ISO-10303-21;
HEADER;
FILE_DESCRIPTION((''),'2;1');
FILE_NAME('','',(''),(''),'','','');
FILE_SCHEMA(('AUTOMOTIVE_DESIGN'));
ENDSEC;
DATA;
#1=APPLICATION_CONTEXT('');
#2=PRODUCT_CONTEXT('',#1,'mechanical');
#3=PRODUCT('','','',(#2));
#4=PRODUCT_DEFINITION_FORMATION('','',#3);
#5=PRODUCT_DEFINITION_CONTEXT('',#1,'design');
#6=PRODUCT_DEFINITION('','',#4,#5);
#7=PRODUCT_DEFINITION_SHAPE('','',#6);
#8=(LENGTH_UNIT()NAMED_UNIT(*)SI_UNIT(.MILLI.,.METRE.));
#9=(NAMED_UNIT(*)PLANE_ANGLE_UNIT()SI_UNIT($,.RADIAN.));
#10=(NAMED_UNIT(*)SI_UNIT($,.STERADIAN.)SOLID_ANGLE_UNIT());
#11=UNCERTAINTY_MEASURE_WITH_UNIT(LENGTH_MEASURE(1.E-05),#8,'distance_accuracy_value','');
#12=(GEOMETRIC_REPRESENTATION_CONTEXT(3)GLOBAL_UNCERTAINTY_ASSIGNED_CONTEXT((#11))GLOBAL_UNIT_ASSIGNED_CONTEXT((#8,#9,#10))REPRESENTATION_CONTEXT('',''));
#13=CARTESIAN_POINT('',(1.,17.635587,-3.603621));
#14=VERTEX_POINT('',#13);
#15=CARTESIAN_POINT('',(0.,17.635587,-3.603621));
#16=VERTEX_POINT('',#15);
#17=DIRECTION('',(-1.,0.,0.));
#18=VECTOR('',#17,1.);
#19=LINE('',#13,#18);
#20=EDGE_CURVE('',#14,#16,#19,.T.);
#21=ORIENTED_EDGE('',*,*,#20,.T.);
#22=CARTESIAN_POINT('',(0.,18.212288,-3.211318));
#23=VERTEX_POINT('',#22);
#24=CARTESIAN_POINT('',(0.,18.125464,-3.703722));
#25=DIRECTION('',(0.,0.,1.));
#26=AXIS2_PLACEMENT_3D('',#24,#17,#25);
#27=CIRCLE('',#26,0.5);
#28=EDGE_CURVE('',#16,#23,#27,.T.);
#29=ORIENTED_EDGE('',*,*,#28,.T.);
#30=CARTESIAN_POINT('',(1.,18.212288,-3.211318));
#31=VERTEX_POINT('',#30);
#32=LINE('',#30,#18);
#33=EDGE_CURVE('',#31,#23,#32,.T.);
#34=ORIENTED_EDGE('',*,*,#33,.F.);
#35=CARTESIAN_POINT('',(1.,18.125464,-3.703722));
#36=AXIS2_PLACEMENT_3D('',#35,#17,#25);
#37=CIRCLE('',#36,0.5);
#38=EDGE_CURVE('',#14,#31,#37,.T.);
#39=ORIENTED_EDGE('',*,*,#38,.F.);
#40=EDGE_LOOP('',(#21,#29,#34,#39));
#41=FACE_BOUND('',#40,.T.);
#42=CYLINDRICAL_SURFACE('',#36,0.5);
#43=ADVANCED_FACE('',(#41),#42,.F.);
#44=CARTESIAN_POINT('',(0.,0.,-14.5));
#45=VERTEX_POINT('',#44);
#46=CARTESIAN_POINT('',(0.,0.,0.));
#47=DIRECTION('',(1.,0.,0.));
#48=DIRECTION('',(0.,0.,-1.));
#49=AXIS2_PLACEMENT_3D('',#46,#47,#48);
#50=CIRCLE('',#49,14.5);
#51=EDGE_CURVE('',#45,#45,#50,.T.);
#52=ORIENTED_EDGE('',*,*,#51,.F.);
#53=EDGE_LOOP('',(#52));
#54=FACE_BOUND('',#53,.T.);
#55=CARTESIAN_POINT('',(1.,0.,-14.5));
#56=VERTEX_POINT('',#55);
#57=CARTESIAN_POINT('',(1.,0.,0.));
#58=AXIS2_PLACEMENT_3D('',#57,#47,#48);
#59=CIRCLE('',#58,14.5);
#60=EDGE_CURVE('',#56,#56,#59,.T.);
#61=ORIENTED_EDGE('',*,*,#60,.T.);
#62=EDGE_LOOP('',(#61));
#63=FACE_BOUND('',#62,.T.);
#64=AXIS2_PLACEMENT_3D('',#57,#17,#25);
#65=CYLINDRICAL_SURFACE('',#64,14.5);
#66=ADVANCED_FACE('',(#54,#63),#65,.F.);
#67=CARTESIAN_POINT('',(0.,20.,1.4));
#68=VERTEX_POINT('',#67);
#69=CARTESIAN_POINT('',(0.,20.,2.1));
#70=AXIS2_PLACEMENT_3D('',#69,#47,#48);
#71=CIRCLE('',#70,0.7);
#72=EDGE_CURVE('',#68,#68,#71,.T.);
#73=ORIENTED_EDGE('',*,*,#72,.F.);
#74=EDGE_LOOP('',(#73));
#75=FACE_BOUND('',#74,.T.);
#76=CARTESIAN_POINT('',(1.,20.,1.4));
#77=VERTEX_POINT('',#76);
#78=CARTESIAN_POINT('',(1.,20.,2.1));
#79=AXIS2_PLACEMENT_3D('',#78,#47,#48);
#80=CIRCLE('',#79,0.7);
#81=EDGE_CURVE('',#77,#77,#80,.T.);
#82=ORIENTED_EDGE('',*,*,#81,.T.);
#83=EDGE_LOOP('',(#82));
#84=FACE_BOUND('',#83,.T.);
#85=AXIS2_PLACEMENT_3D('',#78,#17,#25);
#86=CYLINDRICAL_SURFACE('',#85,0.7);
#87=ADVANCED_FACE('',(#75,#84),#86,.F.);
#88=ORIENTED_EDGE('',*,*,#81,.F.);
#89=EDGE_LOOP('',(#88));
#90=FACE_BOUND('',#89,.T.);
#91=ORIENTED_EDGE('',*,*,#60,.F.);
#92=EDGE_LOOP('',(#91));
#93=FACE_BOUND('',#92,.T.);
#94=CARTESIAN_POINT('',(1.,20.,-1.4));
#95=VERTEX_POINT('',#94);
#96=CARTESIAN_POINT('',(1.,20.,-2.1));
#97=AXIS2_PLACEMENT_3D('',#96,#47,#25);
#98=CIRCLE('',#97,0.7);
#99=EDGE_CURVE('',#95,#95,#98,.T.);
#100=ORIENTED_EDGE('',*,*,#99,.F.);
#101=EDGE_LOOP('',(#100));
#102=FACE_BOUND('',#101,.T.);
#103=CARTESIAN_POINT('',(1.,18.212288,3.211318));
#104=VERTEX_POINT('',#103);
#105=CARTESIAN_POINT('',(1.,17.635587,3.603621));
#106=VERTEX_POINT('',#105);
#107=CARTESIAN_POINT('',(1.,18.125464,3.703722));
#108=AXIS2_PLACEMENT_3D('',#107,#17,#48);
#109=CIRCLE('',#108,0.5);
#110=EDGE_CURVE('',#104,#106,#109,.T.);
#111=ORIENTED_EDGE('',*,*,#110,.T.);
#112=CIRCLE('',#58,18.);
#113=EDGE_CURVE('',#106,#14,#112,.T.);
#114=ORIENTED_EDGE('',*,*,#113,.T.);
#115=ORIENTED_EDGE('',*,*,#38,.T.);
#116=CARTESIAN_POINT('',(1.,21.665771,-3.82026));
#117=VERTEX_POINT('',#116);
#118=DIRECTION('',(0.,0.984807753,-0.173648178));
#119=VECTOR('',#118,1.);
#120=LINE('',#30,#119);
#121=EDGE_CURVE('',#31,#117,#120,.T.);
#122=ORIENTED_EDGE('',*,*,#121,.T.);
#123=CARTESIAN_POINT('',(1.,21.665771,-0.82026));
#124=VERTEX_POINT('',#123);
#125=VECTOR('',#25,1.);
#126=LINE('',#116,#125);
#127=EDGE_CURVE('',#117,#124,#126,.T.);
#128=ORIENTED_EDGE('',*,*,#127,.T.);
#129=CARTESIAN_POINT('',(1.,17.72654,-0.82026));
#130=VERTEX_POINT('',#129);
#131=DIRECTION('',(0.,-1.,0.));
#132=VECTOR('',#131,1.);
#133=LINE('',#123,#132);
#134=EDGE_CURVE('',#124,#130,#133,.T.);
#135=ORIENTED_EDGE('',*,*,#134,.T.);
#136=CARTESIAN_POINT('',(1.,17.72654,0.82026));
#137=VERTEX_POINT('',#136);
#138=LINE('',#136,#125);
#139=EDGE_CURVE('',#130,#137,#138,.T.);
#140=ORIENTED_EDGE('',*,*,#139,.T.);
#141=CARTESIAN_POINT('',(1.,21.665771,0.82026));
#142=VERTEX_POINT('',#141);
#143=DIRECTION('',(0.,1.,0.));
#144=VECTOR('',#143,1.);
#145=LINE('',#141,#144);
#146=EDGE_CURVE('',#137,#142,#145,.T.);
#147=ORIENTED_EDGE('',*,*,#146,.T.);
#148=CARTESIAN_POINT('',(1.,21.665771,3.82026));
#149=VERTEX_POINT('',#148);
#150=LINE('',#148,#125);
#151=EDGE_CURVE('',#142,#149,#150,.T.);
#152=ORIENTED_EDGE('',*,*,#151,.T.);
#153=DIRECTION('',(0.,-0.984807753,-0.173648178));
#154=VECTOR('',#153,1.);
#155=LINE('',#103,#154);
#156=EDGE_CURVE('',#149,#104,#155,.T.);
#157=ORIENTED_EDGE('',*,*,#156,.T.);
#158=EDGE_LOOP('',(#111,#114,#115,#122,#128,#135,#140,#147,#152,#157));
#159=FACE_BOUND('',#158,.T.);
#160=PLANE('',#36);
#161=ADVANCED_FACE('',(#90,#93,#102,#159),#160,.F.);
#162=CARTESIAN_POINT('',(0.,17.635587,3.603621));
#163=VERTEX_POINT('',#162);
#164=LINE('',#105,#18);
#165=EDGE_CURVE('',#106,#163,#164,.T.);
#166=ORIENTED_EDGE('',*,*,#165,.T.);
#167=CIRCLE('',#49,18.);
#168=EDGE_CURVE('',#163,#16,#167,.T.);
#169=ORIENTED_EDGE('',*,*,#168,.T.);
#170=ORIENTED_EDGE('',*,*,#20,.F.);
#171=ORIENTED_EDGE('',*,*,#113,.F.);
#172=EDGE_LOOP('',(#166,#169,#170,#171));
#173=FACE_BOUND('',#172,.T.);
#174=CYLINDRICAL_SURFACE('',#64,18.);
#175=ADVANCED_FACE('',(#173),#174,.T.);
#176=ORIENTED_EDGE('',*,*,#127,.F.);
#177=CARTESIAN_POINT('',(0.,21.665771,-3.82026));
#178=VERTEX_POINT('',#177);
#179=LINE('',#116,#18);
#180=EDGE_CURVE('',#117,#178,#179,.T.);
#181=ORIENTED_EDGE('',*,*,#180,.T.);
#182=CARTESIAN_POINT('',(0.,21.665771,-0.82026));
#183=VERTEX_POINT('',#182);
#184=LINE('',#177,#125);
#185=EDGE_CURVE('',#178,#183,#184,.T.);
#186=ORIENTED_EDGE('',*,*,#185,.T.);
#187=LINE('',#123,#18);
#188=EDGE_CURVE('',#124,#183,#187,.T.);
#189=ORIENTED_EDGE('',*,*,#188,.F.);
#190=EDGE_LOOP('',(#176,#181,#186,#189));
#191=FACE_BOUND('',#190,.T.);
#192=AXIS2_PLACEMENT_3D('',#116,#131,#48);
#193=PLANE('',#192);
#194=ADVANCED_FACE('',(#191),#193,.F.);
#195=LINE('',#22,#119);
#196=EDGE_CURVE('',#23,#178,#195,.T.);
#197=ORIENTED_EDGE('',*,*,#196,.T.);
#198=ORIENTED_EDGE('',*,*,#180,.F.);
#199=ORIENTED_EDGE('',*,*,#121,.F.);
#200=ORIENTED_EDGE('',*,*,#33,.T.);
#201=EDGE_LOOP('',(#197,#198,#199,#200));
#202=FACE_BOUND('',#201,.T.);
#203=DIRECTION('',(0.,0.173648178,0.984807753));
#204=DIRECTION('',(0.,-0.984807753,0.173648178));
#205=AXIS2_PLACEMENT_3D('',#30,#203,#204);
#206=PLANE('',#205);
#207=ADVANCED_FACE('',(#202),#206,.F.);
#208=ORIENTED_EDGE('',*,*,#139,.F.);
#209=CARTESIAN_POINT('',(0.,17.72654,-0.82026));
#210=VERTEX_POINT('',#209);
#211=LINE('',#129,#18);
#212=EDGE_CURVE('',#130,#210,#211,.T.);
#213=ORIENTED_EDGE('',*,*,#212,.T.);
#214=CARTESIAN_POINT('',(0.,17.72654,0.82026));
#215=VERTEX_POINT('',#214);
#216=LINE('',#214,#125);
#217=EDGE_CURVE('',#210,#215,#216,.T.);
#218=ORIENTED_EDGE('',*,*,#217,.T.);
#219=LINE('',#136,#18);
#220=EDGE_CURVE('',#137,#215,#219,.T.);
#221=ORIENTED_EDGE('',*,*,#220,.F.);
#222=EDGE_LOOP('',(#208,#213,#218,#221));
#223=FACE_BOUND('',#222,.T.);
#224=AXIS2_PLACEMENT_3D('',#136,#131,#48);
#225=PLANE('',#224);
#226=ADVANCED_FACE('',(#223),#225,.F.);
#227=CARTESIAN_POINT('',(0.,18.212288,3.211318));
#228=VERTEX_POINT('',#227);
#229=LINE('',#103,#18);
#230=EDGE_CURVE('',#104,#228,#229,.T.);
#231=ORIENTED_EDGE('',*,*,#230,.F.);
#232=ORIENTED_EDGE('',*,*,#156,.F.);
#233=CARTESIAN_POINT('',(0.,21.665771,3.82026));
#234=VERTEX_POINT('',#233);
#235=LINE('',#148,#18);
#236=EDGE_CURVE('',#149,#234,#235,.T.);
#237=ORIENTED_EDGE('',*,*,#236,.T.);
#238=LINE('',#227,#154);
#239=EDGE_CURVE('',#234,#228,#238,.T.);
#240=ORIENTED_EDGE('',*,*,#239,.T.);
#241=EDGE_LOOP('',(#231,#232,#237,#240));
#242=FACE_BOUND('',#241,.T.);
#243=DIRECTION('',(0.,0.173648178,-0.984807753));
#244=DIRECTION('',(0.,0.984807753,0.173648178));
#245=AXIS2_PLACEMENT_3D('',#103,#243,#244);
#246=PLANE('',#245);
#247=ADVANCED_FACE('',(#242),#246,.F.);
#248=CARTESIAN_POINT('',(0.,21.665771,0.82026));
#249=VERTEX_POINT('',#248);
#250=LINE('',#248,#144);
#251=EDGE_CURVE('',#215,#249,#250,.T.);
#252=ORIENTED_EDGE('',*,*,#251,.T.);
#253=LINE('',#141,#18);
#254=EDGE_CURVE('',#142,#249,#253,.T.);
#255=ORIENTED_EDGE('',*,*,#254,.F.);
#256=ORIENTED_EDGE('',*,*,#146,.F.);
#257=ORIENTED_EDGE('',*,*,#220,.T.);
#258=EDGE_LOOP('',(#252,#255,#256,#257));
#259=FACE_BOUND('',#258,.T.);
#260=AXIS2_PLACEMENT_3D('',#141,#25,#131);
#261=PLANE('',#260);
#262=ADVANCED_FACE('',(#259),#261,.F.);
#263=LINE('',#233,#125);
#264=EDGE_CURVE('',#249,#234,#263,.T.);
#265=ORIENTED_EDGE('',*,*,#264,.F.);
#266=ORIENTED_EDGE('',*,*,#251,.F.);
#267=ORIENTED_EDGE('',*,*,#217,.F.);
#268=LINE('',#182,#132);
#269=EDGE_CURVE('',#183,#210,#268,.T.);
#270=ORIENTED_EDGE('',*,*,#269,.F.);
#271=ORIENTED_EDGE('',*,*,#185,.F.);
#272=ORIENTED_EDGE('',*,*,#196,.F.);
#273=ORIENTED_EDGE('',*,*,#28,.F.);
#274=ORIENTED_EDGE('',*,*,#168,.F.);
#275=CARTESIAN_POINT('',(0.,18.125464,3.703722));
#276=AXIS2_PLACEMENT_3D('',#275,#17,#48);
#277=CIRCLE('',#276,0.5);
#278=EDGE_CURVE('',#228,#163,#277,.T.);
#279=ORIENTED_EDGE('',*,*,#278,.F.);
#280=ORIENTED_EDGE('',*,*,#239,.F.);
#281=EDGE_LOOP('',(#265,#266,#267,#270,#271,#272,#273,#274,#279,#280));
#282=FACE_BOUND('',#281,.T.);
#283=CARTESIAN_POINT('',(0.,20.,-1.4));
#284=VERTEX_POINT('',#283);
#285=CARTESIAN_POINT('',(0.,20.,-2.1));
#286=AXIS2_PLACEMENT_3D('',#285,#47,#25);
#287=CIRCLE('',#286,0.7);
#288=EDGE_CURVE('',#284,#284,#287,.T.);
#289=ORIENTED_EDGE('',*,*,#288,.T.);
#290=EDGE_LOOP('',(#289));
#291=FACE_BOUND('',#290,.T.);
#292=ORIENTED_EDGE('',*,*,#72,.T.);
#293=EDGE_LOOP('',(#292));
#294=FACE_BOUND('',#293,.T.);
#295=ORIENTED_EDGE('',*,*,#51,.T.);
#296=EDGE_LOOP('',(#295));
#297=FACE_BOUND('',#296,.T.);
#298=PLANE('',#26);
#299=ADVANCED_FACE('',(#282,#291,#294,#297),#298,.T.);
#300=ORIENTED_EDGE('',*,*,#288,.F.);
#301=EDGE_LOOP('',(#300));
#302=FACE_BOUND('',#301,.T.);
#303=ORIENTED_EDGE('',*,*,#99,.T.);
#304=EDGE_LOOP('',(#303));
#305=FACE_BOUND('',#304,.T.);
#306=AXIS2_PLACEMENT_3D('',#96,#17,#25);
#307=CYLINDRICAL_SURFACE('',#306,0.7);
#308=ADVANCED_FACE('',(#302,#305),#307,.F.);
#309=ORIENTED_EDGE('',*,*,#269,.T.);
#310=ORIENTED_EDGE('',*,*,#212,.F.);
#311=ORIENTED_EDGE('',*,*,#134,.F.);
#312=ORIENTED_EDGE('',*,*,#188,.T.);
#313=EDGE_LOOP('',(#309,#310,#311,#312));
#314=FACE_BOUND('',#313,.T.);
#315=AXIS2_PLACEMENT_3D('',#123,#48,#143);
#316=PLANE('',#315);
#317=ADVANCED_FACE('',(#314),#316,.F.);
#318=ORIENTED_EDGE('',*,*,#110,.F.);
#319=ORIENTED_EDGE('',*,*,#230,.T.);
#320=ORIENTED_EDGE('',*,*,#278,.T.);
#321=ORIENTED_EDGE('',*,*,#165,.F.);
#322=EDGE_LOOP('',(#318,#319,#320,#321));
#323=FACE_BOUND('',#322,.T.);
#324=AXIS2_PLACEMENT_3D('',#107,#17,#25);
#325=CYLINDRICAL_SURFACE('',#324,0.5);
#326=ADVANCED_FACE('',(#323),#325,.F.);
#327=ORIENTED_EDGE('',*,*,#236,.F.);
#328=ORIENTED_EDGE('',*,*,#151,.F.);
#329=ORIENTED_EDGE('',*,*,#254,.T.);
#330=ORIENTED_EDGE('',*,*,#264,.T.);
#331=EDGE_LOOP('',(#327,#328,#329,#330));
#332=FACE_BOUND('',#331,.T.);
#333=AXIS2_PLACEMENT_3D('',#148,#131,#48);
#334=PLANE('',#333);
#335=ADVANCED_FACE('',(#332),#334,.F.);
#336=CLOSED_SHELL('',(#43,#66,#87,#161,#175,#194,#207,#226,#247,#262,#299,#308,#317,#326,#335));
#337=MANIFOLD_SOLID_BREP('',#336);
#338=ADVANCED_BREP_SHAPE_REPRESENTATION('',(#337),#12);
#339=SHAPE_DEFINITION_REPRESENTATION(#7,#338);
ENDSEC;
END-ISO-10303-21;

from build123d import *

# Parameters (mm, degrees)
SKETCH_1_R      = 14.5
SKETCH_1_R_2    = 0.7
EXTRUDE_1_DEPTH = 1


with BuildPart() as part:
    # 草图1 → 凸台-拉伸1 (new body)
    with BuildSketch(Plane(origin=(0, 0, 0), x_dir=(0, 0, -1), z_dir=(1, 0, 0))):
        with BuildLine():
            Line((-3.211317774, 18.212288109), (-3.820259909, 21.665770566))
            Line((-3.820259909, 21.665770566), (-0.820259909, 21.665770566))
            Line((-0.820259909, 21.665770566), (-0.820259909, 17.726539554))
            Line((-0.820259909, 17.726539554), (0.820259909, 17.726539554))
            Line((0.820259909, 17.726539554), (0.820259909, 21.665770566))
            Line((0.820259909, 21.665770566), (3.820259909, 21.665770566))
            Line((3.820259909, 21.665770566), (3.211317774, 18.212288109))
            ThreePointArc((3.211317774, 18.212288109), (3.290307164, 17.84423731), (3.603621065, 17.635586614))
            ThreePointArc((3.603621065, 17.635586614), (0, -18), (-3.603621065, 17.635586614))
            ThreePointArc((-3.603621065, 17.635586614), (-3.290307164, 17.84423731), (-3.211317774, 18.212288109))
        make_face()
        Circle(SKETCH_1_R, mode=Mode.SUBTRACT)
        with Locations((-2.1, 20)):
            Circle(SKETCH_1_R_2, mode=Mode.SUBTRACT)
        with Locations(Location((2.1, 20, 0), (0, 0, 180))):
            Circle(SKETCH_1_R_2, mode=Mode.SUBTRACT)
    extrude(amount=EXTRUDE_1_DEPTH)


solid = part.part
